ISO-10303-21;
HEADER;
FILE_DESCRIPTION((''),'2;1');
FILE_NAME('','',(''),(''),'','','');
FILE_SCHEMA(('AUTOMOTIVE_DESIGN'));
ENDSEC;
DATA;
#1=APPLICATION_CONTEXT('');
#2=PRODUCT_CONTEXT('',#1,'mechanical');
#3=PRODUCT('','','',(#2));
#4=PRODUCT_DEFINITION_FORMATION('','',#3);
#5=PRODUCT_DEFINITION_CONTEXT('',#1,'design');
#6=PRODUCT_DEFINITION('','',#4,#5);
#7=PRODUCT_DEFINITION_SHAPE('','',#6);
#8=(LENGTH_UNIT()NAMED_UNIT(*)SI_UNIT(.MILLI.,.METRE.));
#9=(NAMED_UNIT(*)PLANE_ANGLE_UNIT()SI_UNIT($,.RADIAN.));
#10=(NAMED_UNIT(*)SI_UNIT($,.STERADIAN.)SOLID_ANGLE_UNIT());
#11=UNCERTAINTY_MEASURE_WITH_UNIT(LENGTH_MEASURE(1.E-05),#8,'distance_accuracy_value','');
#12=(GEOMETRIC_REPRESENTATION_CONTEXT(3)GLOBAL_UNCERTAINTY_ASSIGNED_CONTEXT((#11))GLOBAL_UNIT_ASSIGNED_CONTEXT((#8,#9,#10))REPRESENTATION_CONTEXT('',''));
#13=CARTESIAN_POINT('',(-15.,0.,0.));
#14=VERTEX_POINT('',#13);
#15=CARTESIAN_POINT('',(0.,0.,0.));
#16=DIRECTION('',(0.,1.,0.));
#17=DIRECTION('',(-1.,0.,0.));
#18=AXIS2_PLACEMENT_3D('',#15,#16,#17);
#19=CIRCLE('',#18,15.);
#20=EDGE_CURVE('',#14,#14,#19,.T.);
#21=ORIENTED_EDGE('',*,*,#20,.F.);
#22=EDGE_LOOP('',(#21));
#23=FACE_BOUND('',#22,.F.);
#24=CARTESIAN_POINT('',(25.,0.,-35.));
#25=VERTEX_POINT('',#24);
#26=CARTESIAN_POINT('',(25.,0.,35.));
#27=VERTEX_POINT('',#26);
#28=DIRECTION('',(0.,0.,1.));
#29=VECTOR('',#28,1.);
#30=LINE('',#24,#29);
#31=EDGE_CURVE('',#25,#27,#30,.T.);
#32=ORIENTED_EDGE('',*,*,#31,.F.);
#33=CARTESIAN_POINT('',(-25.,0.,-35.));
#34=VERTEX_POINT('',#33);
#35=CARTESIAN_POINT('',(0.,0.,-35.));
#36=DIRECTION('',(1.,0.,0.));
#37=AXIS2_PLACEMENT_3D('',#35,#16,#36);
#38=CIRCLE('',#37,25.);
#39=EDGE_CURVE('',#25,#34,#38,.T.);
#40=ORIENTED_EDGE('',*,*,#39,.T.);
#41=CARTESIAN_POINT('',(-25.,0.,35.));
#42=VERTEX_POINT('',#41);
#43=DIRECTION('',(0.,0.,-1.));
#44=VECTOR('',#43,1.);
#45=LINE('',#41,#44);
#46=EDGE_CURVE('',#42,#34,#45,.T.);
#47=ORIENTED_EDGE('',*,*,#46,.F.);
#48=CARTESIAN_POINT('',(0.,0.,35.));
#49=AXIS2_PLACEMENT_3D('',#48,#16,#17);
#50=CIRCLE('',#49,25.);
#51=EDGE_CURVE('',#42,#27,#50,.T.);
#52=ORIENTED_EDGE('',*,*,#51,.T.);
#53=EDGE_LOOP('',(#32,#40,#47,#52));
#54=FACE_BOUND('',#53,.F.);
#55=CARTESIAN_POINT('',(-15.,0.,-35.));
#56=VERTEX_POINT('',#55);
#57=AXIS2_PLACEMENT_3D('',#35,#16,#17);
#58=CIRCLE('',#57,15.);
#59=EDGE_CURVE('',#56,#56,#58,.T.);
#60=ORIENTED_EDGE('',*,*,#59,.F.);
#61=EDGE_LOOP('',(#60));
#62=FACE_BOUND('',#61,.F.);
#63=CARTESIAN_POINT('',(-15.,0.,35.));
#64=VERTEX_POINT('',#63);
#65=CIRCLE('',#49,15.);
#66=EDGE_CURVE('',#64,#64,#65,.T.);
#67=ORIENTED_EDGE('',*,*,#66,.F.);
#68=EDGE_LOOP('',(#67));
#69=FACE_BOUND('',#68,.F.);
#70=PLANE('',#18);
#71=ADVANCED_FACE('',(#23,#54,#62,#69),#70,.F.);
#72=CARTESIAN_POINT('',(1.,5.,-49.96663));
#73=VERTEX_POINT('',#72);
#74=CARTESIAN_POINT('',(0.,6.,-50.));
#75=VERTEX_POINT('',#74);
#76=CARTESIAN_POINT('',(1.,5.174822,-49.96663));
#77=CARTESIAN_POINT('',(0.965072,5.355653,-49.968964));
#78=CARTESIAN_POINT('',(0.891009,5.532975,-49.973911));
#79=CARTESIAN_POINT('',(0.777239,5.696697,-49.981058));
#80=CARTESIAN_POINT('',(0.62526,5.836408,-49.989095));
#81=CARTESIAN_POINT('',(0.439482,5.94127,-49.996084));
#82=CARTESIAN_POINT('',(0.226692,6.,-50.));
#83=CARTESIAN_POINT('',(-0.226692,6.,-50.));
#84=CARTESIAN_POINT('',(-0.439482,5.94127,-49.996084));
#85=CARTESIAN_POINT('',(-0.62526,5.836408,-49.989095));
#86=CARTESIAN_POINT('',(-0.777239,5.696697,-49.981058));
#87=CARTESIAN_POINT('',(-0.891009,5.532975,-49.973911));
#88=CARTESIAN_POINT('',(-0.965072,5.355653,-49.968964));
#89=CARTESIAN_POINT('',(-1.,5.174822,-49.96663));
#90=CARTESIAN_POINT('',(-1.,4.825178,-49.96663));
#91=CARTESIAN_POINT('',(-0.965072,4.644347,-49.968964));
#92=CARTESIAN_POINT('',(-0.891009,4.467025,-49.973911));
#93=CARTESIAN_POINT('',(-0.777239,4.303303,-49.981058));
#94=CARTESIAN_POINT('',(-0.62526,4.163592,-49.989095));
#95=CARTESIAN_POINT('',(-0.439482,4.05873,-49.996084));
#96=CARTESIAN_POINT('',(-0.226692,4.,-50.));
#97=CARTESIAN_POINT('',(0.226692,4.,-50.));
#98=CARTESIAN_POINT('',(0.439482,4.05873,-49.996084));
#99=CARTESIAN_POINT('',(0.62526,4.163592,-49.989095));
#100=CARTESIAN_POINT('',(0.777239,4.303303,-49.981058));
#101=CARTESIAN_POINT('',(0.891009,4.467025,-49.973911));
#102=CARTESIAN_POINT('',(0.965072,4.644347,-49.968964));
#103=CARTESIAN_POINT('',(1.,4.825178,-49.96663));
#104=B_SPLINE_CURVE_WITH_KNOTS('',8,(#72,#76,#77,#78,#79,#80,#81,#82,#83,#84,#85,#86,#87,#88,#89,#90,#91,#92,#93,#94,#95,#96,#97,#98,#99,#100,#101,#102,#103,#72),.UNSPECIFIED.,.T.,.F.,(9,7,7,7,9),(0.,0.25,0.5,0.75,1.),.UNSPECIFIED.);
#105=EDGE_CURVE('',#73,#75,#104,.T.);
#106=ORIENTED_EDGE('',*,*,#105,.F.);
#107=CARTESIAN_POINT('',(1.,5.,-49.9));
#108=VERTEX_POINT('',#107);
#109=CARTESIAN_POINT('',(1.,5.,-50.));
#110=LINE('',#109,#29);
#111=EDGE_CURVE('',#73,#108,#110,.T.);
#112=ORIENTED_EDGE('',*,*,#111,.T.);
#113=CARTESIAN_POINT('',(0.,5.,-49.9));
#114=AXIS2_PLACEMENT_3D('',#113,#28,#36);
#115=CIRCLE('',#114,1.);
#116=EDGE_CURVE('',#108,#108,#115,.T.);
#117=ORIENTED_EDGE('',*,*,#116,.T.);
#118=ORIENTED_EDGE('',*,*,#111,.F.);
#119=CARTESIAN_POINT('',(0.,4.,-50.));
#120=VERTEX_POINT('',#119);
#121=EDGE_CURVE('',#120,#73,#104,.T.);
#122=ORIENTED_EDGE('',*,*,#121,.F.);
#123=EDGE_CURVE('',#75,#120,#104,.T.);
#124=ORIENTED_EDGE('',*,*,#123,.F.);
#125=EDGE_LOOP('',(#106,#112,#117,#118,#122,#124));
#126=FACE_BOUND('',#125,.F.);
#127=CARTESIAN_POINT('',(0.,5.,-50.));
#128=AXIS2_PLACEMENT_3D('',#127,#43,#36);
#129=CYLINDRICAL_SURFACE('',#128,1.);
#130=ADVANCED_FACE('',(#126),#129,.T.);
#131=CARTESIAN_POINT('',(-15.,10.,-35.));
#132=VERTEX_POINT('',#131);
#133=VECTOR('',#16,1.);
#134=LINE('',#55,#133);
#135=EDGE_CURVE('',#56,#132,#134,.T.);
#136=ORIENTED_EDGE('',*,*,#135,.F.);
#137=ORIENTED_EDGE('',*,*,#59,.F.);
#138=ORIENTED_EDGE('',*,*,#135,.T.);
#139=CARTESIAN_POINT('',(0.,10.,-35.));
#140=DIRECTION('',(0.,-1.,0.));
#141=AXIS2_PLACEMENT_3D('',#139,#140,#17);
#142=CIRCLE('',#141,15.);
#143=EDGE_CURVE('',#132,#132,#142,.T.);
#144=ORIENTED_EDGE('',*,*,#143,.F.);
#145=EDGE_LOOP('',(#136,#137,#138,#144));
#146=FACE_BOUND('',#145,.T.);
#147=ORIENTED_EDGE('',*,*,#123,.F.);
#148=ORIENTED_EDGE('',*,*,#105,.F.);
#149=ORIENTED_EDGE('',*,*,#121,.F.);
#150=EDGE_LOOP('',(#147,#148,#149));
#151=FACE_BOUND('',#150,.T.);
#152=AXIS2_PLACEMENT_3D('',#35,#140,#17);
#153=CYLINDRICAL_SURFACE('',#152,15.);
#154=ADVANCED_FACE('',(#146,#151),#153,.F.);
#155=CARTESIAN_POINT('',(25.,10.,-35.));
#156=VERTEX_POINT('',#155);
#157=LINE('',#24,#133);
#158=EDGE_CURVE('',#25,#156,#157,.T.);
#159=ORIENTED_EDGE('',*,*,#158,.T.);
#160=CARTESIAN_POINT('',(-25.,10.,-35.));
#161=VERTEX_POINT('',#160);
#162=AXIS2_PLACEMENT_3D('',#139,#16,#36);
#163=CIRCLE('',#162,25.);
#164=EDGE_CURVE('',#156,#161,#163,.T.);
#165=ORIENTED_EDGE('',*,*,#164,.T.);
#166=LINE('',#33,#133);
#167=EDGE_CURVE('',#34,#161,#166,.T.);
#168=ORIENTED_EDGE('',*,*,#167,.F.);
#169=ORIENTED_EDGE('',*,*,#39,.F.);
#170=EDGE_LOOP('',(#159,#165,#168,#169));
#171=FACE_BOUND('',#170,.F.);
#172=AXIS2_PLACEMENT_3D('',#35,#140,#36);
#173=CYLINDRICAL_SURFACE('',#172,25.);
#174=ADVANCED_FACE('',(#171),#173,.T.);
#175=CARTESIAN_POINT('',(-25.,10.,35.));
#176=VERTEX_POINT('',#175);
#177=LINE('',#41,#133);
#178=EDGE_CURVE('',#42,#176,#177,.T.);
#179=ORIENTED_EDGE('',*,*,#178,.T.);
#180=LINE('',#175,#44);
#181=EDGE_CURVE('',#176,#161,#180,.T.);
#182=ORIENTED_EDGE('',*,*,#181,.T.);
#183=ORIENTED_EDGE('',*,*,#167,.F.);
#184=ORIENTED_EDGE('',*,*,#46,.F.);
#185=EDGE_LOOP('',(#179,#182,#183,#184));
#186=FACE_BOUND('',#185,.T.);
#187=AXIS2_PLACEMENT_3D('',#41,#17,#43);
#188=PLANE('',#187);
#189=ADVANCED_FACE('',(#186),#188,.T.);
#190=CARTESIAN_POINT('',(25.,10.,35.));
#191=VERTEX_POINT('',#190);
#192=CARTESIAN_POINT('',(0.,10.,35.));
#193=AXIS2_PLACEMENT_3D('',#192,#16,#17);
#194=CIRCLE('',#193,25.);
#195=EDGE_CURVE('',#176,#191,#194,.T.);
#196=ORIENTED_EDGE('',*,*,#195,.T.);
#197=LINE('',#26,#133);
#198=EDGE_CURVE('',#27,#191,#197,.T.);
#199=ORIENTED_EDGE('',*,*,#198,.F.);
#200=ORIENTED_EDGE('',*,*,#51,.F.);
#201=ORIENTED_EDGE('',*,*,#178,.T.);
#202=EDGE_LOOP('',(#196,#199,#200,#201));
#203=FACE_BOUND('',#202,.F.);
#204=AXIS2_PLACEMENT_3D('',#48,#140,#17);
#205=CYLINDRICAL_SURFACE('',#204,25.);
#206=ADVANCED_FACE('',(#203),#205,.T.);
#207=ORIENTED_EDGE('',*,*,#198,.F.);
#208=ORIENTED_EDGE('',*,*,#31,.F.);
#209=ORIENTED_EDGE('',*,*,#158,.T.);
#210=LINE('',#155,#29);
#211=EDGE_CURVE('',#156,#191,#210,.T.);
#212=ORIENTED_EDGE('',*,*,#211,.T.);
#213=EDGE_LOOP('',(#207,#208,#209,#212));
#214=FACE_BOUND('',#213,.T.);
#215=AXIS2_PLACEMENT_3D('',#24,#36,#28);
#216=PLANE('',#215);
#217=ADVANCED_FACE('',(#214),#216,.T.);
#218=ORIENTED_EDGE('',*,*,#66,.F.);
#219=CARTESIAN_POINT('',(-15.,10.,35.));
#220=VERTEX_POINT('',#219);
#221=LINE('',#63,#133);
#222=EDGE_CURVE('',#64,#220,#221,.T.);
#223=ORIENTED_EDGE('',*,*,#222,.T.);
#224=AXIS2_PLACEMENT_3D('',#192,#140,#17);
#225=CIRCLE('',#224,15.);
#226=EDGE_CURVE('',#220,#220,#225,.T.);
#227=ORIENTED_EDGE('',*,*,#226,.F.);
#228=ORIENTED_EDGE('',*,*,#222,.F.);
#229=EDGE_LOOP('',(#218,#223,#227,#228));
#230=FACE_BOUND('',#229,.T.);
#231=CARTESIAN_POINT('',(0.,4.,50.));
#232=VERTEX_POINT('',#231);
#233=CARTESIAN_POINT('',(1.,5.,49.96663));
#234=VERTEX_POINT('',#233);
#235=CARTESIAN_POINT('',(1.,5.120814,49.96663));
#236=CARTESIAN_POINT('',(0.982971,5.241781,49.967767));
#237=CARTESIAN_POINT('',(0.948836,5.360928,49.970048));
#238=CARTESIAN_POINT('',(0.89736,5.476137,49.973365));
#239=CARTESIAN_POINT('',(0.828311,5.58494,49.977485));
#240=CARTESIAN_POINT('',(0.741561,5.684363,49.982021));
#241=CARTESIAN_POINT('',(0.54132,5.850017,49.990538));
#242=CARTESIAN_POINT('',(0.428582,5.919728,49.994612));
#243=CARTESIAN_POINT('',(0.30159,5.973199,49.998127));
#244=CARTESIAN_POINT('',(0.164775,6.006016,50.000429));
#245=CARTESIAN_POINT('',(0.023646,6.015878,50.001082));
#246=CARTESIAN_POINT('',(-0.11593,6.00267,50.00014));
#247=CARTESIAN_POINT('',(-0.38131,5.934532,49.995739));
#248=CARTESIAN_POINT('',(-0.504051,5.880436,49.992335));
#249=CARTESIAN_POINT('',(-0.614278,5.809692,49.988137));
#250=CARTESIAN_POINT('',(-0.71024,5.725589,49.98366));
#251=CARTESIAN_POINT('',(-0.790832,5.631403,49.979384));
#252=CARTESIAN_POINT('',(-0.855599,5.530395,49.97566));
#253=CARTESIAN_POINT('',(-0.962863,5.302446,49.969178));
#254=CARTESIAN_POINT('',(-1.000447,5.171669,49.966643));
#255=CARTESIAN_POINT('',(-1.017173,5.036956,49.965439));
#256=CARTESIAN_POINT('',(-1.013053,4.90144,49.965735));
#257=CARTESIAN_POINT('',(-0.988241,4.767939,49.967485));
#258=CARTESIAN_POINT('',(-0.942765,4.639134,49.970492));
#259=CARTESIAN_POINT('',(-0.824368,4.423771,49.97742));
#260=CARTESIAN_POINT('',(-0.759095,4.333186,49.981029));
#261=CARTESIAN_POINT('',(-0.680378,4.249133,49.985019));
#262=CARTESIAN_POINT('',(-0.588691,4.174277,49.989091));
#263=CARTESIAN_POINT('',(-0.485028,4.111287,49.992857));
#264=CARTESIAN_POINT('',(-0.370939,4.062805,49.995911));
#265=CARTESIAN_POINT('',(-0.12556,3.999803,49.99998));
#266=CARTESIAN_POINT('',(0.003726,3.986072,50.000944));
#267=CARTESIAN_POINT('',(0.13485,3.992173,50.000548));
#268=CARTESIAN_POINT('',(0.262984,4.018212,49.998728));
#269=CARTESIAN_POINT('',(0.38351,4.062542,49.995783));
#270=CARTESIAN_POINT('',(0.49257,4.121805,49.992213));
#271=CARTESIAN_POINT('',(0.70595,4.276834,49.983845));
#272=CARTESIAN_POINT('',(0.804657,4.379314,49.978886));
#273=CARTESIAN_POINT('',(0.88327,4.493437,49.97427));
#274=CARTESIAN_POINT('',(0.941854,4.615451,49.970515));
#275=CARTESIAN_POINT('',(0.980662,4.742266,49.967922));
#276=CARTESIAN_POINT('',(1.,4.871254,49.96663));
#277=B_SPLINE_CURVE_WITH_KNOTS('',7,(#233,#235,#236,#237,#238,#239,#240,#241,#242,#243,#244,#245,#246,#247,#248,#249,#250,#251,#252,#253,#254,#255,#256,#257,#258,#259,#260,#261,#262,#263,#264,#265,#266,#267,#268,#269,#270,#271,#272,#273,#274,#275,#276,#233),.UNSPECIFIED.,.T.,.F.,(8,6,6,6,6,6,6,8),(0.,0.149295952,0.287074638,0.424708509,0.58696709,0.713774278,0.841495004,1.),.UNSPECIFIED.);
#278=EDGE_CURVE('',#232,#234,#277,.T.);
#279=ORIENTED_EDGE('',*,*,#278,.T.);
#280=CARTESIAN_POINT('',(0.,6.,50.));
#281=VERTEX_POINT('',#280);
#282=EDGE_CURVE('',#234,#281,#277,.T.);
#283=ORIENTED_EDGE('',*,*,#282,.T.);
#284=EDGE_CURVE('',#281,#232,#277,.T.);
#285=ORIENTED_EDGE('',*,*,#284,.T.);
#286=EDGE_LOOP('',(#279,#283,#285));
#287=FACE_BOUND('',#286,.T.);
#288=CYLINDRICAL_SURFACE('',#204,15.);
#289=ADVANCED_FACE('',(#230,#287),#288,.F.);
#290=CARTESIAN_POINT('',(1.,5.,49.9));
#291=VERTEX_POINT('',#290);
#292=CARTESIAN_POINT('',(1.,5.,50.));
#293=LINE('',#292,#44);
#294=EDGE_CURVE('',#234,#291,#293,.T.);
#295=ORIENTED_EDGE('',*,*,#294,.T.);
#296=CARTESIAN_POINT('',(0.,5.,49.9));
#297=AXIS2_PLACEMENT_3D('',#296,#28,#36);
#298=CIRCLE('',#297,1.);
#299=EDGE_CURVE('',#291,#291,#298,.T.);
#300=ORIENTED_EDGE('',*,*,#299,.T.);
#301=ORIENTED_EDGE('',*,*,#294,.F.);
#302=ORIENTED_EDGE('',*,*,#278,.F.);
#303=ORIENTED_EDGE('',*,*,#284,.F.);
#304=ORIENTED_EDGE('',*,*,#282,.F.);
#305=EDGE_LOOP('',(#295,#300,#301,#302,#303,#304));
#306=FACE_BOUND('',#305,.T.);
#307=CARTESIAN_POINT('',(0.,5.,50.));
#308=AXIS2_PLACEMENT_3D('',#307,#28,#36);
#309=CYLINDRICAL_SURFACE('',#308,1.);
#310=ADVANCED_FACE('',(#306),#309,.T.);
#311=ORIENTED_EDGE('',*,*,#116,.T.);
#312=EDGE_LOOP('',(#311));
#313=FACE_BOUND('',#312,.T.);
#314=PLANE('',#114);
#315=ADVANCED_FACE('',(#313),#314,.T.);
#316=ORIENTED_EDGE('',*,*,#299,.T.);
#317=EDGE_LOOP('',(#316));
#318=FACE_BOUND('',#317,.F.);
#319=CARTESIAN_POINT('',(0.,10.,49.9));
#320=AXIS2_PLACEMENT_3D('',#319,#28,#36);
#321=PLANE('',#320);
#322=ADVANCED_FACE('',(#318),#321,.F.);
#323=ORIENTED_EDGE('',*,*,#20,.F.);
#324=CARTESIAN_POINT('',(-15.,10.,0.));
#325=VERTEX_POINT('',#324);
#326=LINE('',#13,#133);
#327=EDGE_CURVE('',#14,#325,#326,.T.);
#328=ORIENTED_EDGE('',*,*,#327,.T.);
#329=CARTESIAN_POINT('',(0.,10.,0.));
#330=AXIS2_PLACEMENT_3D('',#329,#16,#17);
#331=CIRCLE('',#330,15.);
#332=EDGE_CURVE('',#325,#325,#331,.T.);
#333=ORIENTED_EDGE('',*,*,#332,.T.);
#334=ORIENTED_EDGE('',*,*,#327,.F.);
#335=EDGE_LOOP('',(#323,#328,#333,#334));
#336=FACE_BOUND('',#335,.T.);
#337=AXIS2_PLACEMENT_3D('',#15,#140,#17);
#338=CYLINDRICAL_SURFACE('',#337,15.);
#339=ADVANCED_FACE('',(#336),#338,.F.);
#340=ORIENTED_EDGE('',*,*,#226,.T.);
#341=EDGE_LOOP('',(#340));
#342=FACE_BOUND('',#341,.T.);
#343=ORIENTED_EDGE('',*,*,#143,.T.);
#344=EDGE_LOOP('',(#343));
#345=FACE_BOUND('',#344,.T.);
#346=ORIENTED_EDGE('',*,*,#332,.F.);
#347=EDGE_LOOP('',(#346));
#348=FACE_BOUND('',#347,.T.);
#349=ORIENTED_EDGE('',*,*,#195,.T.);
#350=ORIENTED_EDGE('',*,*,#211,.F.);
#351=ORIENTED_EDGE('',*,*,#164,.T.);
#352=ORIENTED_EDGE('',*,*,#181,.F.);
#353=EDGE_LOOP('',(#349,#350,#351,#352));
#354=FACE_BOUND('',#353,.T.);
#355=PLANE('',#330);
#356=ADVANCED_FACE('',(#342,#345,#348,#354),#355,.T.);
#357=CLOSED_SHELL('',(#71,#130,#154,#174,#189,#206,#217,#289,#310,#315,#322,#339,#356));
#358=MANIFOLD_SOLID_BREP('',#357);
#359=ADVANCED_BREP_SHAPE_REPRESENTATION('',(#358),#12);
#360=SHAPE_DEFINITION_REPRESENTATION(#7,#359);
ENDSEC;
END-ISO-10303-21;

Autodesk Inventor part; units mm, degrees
sketch "Boceto1" plane through (0, 0, 0) normal (0, 1, 0) x (-1, 0, 0)
  line L0 (0, 35) -> (0, -35) construction
  line L1 (25, 35) -> (25, -35)
  line L2 (-25, -35) -> (-25, 35)
  arc A0 (25, 35) -> (-25, 35) centre (0, 35) ccw
  arc A1 (-25, -35) -> (25, -35) centre (0, -35) ccw
  circle A2 centre (0, -35) radius 15
  circle A3 centre (0, 35) radius 15
  line L3 (0, -20) -> (0, -20)
  line L4 (15, -35) -> (-15, -35)
  line L5 (94.5074, 0) -> (-76.0102, 0) construction
  line L6 (15, 35) -> (-15, 35)
  line L7 (15, -35) -> (-15, -35)
  circle A4 centre (0, 0) radius 15
  point P0 (0, 60)
  point P1 (0, -60)
  point P2 (0, -20)
  point P3 (15, 35)
  dimension "largo" = 120
  dimension "ancho" = 50
  dimension "espesor_junta" = 10
  dimension "d3" = 10
  dimension "d6" = 0
  dimension "d12" = 30
extrude "Extrusión3" add sketch "Boceto1" along normal blind 10
ref_plane "Plano de trabajo1" through (0, 0, 35) normal (1, 0, 0) x (0, 0, -1)
sketch "Boceto2" plane through (0, 0, 35) normal (1, 0, 0) x (0, 0, -1)
  line L0 (15, 0) -> (15, 10) projected
  line L1 (15, 10) -> (20, 10) projected
  line L2 (20, 10) -> (20, 0) projected
  line L3 (20, 0) -> (15, 0) projected
  line L4 (55, 10) -> (55, 0) projected
  line L5 (55, 0) -> (50, 0) projected
  line L6 (50, 0) -> (50, 10) projected
  line L7 (50, 10) -> (55, 10) projected
  line L8 (95, 10) -> (95, 0) projected
  line L9 (95, 0) -> (85, 0) projected
  line L10 (85, 0) -> (85, 10) projected
  line L11 (85, 10) -> (95, 10) projected
  line L12 (-25, 0) -> (-25, 10) projected
  line L13 (-25, 10) -> (-15, 10) projected
  line L14 (-15, 10) -> (-15, 0) projected
  line L15 (-15, 0) -> (-25, 0) projected
  line L16 (-15, 10) -> (-15, 0) projected
  point P0 (35, 0)
  point P1 (85, 5)
  point P2 (-15, 5)
ref_plane "Plano de trabajo2" through (0, 5, -50) normal (0, 0, 1) x (1, 0, 0)
ref_plane "Plano de trabajo3" through (0, 10, 50) normal (0, 0, 1) x (1, 0, 0)
sketch "Boceto3" plane through (0, 5, -50) normal (0, 0, 1) x (1, 0, 0)
  circle A0 centre (0, 0) radius 1
  point P0 (0, -5)
  dimension "d16" = 2
extrude "Extrusión4" add sketch "Boceto3" along normal blind 0.1
sketch "Boceto4" plane through (0, 10, 50) normal (0, 0, 1) x (1, 0, 0)
  line L0 (-20, -10) -> (-20, 0) projected
  line L1 (-20, 0) -> (0, 0) projected
  line L2 (0, 0) -> (0, -10) projected
  line L3 (20, -10) -> (0, -10) projected
  line L4 (20, 0) -> (20, -10) projected
  line L5 (0, 0) -> (20, 0) projected
  line L6 (0, -10) -> (-20, -10) projected
  circle A0 centre (0, -5) radius 1
  dimension "d19" = 2
extrude "Extrusión5" add sketch "Boceto4" against normal blind 0.1 contours A0 L2 | L2 A0
equation "\"d3\" = espesor_junta"
equation "\"d15\" = -0.5 * ancho"
properties part number "mod3_3DPrint"
